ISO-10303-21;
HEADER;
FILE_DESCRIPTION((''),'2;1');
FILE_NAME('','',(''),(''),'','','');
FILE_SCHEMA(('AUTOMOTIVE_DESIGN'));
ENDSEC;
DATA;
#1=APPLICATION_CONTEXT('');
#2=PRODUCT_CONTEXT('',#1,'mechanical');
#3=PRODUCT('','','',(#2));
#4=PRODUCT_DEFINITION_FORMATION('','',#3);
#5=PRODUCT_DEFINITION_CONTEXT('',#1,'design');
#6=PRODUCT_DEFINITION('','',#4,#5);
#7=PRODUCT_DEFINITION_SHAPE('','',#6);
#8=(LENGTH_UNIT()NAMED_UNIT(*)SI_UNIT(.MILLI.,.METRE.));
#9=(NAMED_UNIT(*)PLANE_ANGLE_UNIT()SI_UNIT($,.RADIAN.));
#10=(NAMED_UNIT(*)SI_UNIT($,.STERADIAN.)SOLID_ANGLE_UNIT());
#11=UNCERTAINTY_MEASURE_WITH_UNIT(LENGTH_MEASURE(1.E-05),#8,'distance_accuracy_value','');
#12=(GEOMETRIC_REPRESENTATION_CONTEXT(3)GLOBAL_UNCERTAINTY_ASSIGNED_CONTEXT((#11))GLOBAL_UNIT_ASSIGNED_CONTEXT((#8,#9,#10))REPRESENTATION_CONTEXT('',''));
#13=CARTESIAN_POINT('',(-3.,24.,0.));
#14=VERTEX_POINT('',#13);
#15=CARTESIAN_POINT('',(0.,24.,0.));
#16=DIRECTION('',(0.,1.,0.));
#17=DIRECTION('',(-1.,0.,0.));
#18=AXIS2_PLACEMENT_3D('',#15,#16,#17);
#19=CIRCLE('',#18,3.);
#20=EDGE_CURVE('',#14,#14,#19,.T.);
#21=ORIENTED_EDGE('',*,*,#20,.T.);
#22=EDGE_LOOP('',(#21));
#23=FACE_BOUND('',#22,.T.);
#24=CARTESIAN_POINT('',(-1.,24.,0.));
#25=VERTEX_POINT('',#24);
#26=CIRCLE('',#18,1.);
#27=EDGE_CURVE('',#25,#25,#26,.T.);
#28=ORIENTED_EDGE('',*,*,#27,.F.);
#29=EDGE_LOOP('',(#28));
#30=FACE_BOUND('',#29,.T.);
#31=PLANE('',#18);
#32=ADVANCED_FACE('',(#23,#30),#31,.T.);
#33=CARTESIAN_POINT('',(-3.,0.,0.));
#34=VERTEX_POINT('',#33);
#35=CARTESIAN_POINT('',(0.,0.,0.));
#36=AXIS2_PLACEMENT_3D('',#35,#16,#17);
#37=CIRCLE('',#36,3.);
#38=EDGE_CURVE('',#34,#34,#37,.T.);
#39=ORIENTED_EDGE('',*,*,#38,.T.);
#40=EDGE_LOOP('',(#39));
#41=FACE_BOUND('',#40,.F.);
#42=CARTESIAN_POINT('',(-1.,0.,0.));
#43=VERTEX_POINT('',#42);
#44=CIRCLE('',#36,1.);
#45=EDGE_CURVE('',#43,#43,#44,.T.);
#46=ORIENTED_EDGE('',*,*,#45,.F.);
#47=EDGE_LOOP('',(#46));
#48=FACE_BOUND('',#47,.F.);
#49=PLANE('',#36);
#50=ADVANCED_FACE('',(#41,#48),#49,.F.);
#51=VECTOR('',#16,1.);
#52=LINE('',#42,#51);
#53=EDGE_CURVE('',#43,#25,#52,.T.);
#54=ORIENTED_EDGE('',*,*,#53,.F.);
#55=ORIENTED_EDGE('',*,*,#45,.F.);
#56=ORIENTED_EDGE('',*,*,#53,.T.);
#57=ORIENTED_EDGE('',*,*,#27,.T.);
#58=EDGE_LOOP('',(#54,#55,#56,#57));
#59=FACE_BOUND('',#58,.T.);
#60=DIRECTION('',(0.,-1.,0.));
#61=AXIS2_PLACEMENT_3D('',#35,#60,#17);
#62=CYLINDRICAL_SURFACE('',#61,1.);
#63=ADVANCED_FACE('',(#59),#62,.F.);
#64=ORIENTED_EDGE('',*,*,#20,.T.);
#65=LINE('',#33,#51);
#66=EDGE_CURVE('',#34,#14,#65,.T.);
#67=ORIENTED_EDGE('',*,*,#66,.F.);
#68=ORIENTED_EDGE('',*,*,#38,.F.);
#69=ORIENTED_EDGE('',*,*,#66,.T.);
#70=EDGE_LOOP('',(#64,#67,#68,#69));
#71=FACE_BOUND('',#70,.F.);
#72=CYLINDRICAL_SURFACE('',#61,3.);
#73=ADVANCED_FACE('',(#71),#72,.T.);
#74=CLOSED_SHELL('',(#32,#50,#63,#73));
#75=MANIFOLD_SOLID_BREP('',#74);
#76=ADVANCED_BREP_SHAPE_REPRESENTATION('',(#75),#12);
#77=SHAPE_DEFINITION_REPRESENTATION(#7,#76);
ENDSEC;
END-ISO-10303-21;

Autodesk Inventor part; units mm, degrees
ref_plane "YZ Plane" through (0, 0, 0) normal (1, 0, 0) x (0, 1, 0)
ref_plane "XZ Plane" through (0, 0, 0) normal (0, 1, 0) x (-1, 0, 0)
ref_plane "XY Plane" through (0, 0, 0) normal (0, 0, 1) x (1, 0, 0)
sketch "Sketch1" plane through (0, 0, 0) normal (0, 1, 0) x (-1, 0, 0)
  circle A0 centre (0, 0) radius 3
  circle A1 centre (0, 0) radius 1
  dimension "d0" = 6
  dimension "d1" = 2
extrude "Extrusion1" add sketch "Sketch1" along normal blind 24
properties part number "Metal_Bushing_2"
